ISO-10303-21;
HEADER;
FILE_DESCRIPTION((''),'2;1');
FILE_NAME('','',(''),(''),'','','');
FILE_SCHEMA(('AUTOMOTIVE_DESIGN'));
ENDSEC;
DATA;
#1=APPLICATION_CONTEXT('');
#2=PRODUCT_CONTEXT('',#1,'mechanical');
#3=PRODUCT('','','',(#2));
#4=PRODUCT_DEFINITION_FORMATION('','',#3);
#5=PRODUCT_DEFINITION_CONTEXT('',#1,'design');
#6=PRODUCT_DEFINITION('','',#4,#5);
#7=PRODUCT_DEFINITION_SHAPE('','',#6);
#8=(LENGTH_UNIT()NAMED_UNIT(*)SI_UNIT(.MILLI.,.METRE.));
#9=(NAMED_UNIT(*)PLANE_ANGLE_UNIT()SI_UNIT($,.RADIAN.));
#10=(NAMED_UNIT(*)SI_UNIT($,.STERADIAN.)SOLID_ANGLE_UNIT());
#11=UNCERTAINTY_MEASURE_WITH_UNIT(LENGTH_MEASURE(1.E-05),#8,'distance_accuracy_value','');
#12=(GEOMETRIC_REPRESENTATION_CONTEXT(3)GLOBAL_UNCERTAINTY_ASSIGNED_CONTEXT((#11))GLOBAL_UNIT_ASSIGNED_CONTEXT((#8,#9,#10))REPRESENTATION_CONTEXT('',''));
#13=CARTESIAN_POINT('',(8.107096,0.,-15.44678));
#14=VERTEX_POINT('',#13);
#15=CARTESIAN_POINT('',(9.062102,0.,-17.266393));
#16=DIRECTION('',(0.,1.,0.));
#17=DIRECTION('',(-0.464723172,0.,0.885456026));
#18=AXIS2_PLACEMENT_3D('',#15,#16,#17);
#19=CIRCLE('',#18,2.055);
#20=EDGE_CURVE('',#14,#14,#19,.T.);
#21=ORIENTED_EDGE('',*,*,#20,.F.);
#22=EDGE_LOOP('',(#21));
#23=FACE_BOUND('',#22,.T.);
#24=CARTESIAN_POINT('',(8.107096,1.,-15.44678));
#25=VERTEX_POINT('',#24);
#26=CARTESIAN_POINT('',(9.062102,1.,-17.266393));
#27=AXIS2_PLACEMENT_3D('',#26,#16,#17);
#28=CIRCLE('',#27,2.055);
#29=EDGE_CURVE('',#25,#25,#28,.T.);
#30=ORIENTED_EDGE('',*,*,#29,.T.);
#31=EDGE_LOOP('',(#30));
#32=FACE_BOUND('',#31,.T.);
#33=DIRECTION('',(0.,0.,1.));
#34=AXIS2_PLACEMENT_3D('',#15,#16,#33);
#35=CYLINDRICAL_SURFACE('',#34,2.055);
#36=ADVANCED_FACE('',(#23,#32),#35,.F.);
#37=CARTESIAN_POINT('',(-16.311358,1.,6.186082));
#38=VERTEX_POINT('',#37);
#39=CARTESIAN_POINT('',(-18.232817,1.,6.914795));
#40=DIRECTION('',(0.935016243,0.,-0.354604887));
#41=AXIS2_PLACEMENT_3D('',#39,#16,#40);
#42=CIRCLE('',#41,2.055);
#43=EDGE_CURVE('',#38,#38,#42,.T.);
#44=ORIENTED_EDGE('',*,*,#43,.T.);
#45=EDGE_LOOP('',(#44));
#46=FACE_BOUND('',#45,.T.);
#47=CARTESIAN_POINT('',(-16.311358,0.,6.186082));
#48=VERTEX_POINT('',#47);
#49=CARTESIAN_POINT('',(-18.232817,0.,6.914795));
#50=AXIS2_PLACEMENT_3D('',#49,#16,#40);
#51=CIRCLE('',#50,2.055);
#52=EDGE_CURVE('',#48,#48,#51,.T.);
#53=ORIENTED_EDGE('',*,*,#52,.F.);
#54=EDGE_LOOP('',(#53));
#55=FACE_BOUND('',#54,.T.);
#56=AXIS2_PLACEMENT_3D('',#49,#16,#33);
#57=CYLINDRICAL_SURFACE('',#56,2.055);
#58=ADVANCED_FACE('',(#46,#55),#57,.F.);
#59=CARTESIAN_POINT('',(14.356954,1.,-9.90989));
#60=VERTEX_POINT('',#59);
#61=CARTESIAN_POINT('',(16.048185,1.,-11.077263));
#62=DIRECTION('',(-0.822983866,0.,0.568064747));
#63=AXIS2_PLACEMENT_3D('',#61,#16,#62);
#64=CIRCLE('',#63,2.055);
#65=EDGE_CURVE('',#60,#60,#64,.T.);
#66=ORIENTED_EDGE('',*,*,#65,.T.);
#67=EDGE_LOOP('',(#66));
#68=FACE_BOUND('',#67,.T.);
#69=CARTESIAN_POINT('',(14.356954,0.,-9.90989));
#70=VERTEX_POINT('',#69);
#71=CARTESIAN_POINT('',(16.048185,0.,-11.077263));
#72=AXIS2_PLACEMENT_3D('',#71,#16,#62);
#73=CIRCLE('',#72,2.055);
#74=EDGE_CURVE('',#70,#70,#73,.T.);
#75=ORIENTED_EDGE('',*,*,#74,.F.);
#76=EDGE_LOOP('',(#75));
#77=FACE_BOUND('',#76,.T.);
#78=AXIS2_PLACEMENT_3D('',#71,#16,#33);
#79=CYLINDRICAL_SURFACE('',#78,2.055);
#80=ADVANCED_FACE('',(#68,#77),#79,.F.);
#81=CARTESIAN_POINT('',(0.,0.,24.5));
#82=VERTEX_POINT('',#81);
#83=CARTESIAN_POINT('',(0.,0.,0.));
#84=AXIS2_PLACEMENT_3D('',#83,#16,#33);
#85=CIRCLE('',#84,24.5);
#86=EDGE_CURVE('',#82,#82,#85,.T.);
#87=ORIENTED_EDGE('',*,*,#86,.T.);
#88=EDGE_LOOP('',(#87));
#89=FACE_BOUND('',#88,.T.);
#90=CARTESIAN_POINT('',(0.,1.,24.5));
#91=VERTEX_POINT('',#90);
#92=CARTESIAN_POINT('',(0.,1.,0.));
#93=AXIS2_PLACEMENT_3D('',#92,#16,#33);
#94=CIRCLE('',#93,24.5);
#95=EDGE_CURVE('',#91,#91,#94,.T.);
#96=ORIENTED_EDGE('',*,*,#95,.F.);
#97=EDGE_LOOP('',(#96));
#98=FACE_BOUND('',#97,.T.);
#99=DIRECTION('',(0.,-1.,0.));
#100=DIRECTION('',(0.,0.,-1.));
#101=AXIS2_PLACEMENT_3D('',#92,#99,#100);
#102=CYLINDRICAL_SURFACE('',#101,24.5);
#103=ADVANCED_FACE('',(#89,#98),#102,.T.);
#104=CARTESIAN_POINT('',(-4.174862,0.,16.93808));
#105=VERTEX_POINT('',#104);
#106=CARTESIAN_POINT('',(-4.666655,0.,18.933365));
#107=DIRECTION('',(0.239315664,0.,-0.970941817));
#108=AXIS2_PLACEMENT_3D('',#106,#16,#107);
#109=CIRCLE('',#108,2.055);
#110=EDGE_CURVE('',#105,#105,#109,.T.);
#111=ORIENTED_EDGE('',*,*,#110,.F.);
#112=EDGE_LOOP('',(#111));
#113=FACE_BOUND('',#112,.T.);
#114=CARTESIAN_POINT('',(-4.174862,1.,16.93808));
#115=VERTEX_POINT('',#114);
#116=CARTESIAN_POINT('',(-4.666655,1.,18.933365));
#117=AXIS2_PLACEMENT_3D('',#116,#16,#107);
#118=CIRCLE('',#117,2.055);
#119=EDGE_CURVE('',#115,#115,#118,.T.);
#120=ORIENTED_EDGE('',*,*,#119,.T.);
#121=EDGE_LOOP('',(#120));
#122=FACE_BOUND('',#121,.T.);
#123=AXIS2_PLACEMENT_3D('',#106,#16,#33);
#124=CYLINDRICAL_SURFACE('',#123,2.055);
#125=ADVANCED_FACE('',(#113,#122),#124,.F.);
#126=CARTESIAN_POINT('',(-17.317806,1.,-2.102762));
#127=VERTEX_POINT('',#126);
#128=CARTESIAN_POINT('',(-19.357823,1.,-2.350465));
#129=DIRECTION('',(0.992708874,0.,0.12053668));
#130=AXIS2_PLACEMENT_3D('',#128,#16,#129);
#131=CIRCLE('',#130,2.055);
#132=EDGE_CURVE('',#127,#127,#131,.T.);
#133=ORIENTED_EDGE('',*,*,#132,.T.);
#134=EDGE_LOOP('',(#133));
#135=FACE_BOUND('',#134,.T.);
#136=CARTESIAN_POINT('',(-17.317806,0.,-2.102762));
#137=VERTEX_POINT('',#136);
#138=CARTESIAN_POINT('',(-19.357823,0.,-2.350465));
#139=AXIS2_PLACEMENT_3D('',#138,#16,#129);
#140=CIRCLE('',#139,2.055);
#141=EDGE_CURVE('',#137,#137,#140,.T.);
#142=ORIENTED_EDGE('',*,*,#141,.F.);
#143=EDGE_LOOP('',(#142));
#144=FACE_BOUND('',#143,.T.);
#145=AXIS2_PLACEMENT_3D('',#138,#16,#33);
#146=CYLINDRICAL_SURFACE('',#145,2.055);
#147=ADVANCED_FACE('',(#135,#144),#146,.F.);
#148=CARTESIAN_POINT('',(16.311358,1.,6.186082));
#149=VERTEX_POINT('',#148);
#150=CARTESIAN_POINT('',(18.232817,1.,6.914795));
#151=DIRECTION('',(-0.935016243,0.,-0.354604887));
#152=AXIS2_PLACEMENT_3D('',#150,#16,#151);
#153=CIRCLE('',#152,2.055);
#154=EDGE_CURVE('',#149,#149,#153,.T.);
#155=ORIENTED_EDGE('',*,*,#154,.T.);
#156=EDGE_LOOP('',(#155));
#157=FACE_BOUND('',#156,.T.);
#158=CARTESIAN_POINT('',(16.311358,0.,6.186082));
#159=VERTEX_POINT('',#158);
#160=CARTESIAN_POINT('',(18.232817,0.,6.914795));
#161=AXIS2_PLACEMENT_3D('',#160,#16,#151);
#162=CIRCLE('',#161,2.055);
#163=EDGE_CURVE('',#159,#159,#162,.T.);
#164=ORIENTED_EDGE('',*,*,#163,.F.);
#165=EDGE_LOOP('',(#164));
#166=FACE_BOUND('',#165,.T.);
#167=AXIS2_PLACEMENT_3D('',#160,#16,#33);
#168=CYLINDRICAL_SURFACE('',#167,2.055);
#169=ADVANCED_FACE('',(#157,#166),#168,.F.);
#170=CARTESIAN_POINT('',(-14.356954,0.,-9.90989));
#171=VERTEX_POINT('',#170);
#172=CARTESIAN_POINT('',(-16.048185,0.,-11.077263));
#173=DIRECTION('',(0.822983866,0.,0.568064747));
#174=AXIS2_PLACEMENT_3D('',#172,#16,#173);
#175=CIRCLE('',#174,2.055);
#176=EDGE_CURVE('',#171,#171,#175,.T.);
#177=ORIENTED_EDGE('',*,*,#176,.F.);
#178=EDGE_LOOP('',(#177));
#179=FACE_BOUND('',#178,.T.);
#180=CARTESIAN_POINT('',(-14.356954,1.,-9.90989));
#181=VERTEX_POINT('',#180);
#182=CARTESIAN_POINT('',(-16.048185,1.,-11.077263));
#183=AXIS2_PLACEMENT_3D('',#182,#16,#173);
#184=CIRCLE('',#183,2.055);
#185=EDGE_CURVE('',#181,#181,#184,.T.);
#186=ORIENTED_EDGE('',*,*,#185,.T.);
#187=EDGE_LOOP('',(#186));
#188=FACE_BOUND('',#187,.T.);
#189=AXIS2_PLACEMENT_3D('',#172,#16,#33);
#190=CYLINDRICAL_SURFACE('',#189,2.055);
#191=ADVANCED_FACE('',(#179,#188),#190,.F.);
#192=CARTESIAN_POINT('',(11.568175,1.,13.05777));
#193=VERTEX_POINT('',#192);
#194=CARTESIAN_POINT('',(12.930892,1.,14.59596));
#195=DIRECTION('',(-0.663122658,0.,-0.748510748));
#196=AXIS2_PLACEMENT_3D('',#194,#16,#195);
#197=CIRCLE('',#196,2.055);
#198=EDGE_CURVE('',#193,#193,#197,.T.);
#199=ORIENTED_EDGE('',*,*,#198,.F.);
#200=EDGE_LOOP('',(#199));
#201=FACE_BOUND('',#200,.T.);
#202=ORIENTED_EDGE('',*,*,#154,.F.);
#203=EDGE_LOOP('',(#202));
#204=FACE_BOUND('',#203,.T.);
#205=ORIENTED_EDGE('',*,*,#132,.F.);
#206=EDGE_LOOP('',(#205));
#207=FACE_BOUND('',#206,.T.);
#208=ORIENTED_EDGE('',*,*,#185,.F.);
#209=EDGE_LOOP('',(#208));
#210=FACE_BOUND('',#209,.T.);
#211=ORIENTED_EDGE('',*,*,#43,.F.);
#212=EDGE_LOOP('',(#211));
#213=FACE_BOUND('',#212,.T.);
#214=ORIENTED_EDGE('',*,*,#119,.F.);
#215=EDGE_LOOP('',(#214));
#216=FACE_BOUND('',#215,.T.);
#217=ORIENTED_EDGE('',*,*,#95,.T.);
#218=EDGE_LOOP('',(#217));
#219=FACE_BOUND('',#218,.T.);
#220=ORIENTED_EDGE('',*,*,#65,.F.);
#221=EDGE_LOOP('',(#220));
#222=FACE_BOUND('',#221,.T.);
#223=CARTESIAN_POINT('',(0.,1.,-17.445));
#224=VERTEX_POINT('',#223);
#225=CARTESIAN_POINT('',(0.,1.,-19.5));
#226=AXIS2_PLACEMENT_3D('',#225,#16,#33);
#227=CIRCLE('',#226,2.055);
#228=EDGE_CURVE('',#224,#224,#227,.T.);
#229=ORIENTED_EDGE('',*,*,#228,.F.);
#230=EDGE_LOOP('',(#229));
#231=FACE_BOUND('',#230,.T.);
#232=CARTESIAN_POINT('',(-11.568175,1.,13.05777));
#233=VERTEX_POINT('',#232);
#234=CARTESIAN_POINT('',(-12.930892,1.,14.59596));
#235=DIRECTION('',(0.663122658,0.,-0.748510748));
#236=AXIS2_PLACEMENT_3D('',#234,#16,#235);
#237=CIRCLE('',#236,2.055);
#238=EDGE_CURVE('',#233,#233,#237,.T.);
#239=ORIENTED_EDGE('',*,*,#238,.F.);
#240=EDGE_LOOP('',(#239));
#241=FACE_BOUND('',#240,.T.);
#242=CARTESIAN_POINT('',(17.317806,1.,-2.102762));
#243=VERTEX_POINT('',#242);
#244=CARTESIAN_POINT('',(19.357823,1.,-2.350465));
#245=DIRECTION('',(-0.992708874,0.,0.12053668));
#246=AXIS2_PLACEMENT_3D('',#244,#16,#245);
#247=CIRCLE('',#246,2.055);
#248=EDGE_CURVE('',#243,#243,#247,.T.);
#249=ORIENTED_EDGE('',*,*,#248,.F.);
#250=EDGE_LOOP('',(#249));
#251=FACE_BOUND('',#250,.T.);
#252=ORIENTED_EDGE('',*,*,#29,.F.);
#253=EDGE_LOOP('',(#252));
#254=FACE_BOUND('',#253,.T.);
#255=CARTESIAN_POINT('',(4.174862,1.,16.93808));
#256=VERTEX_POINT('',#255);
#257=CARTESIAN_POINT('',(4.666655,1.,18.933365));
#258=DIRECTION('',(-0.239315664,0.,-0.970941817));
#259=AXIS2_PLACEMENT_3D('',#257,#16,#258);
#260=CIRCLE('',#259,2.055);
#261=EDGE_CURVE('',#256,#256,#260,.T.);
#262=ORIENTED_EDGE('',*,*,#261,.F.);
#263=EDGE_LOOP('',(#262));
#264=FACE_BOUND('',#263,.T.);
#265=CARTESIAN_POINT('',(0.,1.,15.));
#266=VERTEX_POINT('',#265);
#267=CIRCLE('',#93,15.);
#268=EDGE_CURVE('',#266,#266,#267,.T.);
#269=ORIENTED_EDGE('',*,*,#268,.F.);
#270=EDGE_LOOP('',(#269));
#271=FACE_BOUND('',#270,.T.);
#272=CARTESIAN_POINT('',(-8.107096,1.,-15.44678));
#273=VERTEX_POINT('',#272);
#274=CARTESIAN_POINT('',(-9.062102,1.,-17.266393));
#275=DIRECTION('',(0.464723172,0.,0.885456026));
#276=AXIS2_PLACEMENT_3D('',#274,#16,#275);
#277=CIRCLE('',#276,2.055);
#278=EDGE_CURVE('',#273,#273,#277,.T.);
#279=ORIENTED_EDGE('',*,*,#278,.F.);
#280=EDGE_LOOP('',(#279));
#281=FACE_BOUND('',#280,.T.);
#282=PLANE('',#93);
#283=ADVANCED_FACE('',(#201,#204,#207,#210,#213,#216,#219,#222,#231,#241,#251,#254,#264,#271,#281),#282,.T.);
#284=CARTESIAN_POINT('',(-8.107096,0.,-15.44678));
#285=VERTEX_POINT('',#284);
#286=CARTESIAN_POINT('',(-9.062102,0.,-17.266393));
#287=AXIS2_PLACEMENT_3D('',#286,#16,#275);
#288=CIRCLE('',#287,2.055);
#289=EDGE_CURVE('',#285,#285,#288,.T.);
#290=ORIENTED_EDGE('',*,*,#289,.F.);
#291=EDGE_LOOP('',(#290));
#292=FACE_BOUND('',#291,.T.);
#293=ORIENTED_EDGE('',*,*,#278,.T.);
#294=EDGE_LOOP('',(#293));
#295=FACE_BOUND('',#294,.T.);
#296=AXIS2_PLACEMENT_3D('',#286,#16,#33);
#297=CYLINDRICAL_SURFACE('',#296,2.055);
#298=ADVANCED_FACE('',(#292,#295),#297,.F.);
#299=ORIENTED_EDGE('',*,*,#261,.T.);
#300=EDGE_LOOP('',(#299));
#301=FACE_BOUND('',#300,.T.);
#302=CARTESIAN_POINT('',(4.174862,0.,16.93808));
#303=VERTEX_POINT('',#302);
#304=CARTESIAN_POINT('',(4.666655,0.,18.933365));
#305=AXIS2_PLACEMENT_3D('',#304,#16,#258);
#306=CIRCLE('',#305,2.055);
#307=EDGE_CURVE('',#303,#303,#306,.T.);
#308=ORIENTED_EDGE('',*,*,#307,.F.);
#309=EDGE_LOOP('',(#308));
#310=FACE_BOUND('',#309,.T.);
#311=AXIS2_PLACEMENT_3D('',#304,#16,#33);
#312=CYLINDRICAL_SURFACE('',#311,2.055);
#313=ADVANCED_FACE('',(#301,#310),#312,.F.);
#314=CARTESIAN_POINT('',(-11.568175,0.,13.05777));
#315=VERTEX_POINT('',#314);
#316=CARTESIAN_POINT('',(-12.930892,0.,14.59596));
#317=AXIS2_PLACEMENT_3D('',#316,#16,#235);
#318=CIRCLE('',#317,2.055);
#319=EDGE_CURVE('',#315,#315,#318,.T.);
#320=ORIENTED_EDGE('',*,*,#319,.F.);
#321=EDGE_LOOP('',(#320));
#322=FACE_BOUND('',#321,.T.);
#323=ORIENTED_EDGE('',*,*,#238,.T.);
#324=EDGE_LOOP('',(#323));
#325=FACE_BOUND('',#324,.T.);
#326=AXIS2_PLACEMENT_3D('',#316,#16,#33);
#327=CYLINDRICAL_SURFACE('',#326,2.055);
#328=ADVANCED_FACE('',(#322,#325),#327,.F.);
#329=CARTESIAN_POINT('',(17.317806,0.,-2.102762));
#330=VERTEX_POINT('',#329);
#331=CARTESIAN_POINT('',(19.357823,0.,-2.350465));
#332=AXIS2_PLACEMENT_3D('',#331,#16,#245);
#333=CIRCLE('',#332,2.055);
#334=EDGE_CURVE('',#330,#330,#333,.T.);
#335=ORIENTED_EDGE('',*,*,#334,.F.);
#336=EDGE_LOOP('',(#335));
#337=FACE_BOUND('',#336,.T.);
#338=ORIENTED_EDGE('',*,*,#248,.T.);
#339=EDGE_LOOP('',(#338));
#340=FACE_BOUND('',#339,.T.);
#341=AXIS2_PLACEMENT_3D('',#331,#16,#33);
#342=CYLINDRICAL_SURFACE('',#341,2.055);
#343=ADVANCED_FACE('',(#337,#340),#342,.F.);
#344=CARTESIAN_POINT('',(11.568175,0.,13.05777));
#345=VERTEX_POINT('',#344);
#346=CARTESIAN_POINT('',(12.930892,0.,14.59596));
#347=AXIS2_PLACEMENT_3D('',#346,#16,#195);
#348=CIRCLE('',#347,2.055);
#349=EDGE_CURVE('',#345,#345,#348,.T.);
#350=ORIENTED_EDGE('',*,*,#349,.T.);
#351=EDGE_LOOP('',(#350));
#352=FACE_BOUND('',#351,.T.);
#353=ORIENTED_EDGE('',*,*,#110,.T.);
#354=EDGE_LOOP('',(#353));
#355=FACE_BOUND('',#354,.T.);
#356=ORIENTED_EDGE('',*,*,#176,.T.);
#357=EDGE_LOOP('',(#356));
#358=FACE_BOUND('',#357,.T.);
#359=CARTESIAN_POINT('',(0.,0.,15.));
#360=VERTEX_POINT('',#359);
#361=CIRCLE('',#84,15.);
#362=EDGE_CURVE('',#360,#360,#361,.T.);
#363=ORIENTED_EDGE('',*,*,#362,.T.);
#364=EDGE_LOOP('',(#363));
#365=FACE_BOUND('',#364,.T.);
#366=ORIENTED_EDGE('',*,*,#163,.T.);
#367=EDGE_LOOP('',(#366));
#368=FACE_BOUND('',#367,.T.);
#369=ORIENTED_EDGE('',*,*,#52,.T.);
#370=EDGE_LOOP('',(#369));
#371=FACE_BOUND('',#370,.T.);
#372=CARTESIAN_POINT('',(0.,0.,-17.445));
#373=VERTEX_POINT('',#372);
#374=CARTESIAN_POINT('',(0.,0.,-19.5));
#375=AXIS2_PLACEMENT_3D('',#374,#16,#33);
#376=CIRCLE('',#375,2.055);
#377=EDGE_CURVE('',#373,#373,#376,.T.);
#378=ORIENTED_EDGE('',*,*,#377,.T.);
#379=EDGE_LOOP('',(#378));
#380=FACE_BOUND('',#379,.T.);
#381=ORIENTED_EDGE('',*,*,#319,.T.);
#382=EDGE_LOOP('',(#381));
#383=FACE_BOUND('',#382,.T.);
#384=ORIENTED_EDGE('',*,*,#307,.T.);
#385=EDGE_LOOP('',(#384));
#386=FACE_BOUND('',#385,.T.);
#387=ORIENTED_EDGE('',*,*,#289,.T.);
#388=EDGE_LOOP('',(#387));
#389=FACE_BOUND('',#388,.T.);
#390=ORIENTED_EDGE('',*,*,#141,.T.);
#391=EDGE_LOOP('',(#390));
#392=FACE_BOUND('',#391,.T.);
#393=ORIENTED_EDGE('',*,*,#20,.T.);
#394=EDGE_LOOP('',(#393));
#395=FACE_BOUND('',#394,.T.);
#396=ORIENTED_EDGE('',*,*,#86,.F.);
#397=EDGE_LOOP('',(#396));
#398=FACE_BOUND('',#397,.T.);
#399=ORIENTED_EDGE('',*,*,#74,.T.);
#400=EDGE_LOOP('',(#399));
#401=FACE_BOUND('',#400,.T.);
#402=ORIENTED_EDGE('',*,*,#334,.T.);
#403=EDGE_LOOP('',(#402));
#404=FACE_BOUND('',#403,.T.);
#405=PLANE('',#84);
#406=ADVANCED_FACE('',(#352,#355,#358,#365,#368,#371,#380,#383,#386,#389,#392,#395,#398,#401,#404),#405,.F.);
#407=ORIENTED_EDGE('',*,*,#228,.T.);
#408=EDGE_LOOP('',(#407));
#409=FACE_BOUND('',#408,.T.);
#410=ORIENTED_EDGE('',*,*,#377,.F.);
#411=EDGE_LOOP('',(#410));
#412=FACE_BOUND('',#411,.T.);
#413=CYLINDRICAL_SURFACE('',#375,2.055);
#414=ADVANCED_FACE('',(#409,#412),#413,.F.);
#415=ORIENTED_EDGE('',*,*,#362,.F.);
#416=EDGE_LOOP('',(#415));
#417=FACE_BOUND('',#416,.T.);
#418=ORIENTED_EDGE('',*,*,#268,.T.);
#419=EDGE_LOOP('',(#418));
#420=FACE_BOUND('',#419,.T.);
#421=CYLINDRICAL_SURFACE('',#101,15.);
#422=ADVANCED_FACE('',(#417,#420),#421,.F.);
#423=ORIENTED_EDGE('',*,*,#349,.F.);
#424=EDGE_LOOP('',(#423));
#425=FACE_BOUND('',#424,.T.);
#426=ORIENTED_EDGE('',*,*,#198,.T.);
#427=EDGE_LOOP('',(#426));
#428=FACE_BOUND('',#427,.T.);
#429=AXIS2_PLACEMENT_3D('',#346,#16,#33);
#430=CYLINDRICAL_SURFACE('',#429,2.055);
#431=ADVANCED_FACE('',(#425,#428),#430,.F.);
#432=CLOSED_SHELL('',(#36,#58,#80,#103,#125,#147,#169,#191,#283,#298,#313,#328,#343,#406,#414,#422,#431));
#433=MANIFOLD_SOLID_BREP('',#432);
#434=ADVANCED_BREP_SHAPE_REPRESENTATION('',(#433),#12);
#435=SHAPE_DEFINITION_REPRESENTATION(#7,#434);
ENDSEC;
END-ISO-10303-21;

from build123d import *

# Parameters (mm, degrees)
SKETCH1_R           = 24.5
SKETCH1_R_2         = 15
BOSS_EXTRUDE1_DEPTH = 1
SKETCH3_R           = 2.055
CUT_EXTRUDE1_DEPTH  = 35.662660025
CIRPATTERN1_COUNT   = 13


with BuildPart() as part:
    # Sketch1 → Boss-Extrude1 (new body)
    with BuildSketch(Plane(origin=(0, 0, 0), x_dir=(1, 0, 0), z_dir=(0, 1, 0))):
        with Locations(Location((0, 0, 0), (0, 0, 270))):
            Circle(SKETCH1_R)
        with Locations(Location((0, 0, 0), (0, 0, 270))):
            Circle(SKETCH1_R_2, mode=Mode.SUBTRACT)
    extrude(amount=BOSS_EXTRUDE1_DEPTH)

    # Sketch3 → Cut-Extrude1 (cut, through all)
    with BuildSketch(Plane(origin=(0, 1, 0), x_dir=(1, 0, 0), z_dir=(0, 1, 0))):
        with Locations(Location((0, 19.5, 0), (0, 0, 270))):
            Circle(SKETCH3_R)
    cut_extrude1 = extrude(amount=-CUT_EXTRUDE1_DEPTH, mode=Mode.SUBTRACT)

    # CirPattern1: Cut-Extrude1 ×13 about axis
    cirpattern1_axis = Axis((0, 0, 0), (0, 1, 0))
    for i in range(1, CIRPATTERN1_COUNT):
        add(cut_extrude1.rotate(cirpattern1_axis, i * 360 / CIRPATTERN1_COUNT), mode=Mode.SUBTRACT)


solid = part.part
